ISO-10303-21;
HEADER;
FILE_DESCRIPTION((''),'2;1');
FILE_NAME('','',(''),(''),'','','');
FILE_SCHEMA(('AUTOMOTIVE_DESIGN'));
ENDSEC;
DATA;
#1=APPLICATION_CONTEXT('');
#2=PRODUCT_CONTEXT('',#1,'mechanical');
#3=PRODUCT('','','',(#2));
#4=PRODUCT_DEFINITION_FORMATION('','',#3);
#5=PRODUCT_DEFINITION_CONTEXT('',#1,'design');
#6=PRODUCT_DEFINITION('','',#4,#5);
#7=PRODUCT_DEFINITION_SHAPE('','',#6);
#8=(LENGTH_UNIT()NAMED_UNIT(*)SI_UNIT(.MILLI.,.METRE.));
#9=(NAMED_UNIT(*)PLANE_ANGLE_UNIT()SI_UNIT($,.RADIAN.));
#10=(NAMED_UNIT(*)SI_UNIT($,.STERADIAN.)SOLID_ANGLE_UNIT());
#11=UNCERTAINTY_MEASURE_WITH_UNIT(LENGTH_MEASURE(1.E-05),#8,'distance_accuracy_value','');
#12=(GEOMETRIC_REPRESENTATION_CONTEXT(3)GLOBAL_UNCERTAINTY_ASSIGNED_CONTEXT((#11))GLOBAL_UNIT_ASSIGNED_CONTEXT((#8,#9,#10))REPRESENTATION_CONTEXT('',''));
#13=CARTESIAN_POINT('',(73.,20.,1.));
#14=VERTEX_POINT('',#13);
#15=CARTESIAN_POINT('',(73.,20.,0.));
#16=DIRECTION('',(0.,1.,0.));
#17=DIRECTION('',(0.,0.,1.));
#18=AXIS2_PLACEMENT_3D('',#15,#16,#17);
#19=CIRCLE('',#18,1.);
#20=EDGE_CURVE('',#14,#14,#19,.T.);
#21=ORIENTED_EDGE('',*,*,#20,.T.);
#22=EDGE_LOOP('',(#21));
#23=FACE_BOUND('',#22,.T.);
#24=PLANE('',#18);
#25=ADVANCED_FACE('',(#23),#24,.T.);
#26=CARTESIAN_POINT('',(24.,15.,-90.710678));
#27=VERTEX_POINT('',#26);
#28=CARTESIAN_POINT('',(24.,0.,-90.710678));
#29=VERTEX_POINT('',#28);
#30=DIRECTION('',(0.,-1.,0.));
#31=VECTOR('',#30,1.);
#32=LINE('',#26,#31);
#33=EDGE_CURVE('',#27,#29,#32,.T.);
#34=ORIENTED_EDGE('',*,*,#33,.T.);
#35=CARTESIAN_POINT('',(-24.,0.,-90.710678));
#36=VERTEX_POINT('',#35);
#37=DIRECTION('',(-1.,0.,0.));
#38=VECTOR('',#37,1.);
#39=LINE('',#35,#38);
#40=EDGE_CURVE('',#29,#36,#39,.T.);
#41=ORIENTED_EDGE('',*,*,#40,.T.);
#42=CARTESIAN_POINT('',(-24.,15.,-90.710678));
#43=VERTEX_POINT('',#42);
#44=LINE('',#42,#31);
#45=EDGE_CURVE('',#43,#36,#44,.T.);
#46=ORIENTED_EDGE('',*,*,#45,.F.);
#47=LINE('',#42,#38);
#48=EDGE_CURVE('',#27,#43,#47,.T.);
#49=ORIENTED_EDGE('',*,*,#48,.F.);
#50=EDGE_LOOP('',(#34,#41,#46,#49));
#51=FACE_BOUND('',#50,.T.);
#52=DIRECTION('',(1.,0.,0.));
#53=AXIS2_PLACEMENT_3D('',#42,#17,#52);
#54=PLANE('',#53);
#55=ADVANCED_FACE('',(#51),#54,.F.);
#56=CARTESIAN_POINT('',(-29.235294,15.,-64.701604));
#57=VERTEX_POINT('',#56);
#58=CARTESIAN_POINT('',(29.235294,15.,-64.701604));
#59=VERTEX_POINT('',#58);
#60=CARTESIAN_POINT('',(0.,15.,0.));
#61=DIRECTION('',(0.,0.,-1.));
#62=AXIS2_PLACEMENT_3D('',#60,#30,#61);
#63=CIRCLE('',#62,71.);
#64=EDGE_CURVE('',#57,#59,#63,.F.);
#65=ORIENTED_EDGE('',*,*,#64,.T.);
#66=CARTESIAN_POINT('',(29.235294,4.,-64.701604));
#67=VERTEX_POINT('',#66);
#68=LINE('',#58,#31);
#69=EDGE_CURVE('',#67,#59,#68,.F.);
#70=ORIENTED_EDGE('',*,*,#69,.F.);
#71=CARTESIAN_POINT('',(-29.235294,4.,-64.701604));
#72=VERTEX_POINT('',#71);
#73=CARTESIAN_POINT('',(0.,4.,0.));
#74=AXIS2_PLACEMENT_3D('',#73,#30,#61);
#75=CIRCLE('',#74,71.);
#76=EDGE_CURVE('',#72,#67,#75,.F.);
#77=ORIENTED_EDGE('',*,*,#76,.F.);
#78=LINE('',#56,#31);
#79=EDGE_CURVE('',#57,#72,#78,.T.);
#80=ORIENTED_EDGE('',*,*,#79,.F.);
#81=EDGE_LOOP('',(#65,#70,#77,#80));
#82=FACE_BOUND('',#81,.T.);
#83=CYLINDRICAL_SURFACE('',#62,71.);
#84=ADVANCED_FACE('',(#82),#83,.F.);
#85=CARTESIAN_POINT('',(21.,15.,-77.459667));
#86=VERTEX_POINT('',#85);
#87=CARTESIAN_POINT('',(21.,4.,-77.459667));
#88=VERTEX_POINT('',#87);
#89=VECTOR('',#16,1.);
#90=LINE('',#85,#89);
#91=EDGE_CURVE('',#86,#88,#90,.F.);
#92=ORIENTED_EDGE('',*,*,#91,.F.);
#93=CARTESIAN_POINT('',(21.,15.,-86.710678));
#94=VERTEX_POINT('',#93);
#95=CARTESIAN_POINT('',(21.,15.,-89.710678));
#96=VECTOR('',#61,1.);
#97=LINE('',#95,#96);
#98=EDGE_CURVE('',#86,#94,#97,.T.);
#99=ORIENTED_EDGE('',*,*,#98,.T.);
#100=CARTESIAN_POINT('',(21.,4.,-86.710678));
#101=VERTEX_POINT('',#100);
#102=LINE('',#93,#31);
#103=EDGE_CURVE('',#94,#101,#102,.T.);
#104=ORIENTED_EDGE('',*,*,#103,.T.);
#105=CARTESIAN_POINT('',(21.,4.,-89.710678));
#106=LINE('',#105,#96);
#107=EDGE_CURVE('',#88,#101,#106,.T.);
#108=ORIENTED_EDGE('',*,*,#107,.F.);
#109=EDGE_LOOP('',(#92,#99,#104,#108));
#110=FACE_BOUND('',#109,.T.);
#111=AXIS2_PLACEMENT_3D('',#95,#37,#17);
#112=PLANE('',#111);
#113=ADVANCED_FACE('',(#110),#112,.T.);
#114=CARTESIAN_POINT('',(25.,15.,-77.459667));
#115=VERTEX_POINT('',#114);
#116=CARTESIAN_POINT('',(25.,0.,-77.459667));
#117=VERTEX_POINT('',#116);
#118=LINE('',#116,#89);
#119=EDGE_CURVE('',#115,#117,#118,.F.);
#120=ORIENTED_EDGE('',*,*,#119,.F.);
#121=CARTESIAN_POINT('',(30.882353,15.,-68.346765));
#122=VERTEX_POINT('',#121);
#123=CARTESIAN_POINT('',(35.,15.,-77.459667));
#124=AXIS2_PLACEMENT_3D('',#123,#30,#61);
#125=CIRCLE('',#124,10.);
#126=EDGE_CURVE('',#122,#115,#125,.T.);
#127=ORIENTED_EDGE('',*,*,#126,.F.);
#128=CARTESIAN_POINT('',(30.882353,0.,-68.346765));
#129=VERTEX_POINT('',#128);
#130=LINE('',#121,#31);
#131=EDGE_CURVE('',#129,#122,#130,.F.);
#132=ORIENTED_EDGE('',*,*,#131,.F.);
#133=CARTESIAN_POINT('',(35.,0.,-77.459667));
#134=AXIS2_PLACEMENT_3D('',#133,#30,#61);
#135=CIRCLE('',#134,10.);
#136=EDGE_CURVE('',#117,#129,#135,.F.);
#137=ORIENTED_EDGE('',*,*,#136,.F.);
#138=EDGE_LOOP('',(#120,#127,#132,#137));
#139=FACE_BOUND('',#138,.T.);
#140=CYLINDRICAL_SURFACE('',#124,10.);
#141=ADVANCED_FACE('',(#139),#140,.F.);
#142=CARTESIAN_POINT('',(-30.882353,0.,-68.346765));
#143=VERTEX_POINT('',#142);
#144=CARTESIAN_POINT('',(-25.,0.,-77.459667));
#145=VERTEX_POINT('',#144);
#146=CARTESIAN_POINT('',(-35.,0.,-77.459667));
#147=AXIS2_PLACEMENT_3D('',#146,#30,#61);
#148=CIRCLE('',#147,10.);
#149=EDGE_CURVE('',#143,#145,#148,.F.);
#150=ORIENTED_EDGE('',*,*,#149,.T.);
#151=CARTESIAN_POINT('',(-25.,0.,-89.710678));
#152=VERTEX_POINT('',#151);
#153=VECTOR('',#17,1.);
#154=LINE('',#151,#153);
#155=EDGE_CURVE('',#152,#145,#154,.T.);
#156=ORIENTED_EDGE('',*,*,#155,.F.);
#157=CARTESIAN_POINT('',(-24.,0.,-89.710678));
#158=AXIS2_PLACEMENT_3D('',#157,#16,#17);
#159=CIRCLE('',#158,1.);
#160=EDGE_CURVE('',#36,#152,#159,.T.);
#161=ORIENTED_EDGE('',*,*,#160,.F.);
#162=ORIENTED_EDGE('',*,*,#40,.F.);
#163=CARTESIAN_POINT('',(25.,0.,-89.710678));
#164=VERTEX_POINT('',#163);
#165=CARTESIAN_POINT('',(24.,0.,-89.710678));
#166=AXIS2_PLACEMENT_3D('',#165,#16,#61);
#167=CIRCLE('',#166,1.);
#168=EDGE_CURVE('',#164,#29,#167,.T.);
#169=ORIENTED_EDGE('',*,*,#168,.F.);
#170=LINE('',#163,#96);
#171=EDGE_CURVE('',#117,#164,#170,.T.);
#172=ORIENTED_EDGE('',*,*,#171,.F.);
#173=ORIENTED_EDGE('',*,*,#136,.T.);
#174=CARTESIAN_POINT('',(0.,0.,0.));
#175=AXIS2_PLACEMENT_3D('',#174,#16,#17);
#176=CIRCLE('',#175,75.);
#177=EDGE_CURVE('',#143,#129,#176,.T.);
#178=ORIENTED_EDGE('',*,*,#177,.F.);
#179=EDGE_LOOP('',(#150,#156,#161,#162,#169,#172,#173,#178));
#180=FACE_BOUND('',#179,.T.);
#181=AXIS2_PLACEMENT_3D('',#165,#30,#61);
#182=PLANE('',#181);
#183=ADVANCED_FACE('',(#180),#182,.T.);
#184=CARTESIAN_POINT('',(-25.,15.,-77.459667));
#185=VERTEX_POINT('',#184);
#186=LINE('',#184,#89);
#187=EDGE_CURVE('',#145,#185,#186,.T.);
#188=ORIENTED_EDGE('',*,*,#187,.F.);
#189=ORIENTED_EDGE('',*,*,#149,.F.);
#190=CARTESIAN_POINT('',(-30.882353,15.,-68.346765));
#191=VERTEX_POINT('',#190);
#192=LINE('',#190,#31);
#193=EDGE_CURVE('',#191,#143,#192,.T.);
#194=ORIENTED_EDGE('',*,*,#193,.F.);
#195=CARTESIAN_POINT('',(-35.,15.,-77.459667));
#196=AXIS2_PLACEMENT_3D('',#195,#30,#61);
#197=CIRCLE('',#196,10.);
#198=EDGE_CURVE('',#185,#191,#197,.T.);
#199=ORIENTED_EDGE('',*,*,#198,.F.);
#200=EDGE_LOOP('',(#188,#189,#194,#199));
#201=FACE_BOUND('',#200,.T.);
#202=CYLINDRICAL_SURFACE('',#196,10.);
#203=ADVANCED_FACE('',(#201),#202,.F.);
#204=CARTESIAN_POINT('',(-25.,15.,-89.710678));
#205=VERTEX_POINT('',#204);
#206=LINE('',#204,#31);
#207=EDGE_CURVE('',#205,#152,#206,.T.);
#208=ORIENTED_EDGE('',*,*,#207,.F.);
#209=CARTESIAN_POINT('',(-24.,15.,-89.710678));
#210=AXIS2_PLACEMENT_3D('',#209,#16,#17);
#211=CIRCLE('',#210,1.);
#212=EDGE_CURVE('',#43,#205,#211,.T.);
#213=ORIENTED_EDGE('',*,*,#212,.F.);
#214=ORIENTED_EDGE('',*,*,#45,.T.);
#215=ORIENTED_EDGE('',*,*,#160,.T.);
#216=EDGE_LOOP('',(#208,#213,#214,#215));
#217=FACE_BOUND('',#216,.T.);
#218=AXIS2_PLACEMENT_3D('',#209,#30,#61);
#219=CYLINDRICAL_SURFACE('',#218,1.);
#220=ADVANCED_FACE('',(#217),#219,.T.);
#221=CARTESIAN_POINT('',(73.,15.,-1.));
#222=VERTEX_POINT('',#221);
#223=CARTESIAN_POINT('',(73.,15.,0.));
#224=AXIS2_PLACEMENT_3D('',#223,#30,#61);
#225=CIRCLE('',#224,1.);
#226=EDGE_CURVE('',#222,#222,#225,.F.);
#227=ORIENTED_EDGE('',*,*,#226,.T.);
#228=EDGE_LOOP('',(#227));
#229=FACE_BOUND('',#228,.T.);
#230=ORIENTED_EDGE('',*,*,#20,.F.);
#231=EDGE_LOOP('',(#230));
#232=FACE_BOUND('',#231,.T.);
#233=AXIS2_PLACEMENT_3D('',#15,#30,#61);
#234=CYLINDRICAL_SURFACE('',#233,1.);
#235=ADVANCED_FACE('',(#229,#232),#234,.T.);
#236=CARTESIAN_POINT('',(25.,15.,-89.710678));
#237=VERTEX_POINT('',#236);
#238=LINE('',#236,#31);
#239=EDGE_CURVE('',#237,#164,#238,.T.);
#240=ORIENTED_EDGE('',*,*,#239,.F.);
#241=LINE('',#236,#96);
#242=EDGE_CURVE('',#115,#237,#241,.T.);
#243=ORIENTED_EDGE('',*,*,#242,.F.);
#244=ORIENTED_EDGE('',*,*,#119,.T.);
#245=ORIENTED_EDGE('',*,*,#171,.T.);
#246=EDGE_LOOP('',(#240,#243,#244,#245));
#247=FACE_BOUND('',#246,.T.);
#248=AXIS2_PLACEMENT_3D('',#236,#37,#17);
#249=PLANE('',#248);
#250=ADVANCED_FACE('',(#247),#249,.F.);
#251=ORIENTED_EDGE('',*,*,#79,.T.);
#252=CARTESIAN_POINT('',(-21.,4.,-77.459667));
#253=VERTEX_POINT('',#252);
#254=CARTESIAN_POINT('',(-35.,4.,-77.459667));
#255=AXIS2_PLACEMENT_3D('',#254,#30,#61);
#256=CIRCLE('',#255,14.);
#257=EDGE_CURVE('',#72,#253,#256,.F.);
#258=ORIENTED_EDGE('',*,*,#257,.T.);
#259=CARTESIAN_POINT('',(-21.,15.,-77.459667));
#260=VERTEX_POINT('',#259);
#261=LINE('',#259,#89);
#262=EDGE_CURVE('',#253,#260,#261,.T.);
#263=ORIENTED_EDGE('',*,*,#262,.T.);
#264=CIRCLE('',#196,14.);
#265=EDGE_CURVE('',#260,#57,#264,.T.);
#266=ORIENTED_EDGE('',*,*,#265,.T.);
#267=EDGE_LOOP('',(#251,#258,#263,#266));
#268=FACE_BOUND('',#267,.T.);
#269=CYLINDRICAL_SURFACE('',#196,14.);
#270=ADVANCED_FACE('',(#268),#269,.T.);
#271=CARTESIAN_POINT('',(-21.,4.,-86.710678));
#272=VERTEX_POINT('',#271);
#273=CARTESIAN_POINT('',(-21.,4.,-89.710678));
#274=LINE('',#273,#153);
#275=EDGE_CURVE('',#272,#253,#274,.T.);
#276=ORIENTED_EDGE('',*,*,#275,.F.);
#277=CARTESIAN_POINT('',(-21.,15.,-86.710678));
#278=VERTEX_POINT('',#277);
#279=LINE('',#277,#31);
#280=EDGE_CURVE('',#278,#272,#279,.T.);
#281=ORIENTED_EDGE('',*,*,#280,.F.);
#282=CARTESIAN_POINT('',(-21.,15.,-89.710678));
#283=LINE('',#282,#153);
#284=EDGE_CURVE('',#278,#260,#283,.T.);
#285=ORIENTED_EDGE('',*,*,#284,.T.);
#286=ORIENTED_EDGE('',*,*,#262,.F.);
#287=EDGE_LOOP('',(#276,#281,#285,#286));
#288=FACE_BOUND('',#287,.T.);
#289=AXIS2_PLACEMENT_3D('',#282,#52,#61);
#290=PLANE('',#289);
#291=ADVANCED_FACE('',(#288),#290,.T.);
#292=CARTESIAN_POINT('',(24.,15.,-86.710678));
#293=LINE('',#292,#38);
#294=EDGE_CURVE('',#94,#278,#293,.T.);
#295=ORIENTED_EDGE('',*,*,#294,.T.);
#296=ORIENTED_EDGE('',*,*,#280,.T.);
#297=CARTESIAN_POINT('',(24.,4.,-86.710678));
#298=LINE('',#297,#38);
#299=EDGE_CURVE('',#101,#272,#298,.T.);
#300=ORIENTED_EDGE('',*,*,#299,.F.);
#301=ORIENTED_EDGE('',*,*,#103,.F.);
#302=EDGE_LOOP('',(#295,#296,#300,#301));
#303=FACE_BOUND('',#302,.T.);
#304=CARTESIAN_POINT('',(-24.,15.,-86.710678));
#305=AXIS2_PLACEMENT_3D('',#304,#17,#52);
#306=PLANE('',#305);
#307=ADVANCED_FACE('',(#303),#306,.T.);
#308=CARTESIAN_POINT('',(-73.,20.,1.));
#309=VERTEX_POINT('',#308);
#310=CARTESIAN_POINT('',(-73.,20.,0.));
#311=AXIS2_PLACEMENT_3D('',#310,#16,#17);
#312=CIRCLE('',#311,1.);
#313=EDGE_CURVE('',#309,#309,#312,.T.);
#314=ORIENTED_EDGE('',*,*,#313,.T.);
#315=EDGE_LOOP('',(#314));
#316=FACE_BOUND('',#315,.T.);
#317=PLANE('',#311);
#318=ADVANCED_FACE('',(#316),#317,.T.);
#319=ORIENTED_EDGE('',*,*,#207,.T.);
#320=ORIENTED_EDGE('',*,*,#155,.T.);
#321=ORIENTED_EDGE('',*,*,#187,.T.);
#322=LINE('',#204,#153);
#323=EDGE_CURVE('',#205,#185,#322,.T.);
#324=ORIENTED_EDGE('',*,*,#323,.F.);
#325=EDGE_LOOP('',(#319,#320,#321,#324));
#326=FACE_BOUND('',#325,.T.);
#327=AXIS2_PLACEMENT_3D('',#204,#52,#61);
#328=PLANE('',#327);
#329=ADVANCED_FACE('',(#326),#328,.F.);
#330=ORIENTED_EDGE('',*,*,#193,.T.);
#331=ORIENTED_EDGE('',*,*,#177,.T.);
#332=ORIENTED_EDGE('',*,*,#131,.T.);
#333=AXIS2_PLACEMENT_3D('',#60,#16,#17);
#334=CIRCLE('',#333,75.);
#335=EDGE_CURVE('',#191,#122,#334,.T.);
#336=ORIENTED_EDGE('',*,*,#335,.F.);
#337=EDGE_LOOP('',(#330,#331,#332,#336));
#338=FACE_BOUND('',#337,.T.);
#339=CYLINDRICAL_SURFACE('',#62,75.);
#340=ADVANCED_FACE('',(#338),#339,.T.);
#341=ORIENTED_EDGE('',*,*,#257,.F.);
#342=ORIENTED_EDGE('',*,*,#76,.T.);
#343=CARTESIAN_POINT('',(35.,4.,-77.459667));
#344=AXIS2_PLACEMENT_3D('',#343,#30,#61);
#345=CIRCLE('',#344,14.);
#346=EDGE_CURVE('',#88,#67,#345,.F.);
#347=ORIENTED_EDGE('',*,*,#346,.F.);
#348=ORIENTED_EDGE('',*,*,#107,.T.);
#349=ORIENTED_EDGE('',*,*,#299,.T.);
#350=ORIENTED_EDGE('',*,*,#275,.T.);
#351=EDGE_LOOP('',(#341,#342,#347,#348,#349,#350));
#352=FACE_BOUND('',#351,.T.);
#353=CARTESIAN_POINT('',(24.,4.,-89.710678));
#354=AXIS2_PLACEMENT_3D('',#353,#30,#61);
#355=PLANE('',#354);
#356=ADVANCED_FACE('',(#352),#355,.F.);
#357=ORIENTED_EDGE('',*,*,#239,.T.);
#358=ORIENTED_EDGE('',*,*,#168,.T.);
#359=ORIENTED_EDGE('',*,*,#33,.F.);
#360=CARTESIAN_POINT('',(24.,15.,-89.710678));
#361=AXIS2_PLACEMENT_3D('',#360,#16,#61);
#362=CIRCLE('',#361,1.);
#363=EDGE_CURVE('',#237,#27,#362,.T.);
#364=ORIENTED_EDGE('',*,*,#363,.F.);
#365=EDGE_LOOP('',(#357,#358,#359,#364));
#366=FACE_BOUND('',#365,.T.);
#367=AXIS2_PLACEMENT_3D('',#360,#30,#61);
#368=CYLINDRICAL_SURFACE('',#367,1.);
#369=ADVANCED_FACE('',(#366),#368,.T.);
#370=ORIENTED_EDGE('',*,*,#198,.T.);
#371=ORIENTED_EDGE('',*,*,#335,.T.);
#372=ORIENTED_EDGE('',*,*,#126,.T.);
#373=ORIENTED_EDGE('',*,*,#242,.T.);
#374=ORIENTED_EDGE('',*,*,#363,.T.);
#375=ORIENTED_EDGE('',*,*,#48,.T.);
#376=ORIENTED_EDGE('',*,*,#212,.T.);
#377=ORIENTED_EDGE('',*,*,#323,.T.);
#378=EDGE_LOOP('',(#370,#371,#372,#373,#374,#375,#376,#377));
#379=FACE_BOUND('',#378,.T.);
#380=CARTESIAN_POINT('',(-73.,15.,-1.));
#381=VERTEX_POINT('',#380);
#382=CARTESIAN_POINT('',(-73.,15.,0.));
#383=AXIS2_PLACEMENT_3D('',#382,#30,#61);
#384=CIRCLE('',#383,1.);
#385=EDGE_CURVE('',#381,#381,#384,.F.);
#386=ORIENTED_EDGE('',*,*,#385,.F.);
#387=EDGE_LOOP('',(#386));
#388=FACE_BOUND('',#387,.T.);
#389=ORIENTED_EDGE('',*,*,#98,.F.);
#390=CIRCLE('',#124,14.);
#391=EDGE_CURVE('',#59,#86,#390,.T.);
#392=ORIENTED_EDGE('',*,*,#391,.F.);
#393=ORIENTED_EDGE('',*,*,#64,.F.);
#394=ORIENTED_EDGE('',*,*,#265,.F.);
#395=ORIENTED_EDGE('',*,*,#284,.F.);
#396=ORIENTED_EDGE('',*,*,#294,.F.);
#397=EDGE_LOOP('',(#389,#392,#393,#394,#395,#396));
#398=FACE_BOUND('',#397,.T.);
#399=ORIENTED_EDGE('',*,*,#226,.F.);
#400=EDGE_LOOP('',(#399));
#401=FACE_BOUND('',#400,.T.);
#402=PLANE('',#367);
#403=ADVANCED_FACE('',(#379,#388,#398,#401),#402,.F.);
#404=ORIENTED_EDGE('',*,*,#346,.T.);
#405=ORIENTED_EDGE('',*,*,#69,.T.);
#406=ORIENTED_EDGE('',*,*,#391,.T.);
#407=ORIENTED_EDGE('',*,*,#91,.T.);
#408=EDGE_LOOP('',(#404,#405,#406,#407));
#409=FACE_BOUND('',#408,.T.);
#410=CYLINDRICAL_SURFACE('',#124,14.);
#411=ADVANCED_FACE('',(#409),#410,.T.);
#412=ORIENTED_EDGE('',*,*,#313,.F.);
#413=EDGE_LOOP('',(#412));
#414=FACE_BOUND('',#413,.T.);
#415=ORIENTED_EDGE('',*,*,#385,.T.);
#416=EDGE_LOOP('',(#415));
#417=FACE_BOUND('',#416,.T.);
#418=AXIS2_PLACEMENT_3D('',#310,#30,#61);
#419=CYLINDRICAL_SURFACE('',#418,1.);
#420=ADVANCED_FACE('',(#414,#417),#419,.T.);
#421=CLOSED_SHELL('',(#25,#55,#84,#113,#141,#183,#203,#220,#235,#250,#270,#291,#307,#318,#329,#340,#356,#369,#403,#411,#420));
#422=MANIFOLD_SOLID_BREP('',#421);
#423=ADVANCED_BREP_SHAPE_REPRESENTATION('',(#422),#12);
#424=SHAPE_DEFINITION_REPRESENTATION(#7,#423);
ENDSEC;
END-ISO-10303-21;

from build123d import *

# Parameters (mm, degrees)
BOSS_EXTRUDE1_DEPTH = 15
FILLET2_R           = 10
SHELL1_T            = -4
SKETCH7_R           = 1
BOSS_EXTRUDE4_DEPTH = 5


with BuildPart() as part:
    # Sketch1 → Boss-Extrude1 (new body)
    with BuildSketch(Plane(origin=(0, 0, 0), x_dir=(1, 0, 0), z_dir=(0, 1, 0))):
        with BuildLine():
            Line((-24, 90.710678119), (24, 90.710678119))
            ThreePointArc((24, 90.710678119), (24.707106781, 90.4177849), (25, 89.710678119))
            Line((25, 89.710678119), (25, 70.710678119))
            ThreePointArc((25, 70.710678119), (0, -75), (-25, 70.710678119))
            Line((-25, 70.710678119), (-25, 89.710678119))
            ThreePointArc((-25, 89.710678119), (-24.707106781, 90.4177849), (-24, 90.710678119))
        make_face()
    extrude(amount=BOSS_EXTRUDE1_DEPTH)

    # Fillet2
    fillet2_edges = [part.edges().sort_by_distance(p)[0] for p in [
        (25, 7.5, -70.710678119),
        (-25, 7.5, -70.710678119),
    ]]
    fillet(fillet2_edges, radius=FILLET2_R)

    # Shell1
    shell1_openings = [part.faces().sort_by_distance(p)[0] for p in [
        (0, 15, -3.849203435),
    ]]
    offset(amount=SHELL1_T, openings=shell1_openings)

    # Sketch7 → Boss-Extrude4 (add)
    with BuildSketch(Plane(origin=(0, 15, 0), x_dir=(1, 0, 0), z_dir=(0, 1, 0))):
        with Locations(Location((-73, 0, 0), (0, 0, 90))):  # turned: the seam where the file's is
            Circle(SKETCH7_R)
        with Locations(Location((73, 0, 0), (0, 0, 90))):  # turned: the seam where the file's is
            Circle(SKETCH7_R)
    extrude(amount=BOSS_EXTRUDE4_DEPTH)


solid = part.part
